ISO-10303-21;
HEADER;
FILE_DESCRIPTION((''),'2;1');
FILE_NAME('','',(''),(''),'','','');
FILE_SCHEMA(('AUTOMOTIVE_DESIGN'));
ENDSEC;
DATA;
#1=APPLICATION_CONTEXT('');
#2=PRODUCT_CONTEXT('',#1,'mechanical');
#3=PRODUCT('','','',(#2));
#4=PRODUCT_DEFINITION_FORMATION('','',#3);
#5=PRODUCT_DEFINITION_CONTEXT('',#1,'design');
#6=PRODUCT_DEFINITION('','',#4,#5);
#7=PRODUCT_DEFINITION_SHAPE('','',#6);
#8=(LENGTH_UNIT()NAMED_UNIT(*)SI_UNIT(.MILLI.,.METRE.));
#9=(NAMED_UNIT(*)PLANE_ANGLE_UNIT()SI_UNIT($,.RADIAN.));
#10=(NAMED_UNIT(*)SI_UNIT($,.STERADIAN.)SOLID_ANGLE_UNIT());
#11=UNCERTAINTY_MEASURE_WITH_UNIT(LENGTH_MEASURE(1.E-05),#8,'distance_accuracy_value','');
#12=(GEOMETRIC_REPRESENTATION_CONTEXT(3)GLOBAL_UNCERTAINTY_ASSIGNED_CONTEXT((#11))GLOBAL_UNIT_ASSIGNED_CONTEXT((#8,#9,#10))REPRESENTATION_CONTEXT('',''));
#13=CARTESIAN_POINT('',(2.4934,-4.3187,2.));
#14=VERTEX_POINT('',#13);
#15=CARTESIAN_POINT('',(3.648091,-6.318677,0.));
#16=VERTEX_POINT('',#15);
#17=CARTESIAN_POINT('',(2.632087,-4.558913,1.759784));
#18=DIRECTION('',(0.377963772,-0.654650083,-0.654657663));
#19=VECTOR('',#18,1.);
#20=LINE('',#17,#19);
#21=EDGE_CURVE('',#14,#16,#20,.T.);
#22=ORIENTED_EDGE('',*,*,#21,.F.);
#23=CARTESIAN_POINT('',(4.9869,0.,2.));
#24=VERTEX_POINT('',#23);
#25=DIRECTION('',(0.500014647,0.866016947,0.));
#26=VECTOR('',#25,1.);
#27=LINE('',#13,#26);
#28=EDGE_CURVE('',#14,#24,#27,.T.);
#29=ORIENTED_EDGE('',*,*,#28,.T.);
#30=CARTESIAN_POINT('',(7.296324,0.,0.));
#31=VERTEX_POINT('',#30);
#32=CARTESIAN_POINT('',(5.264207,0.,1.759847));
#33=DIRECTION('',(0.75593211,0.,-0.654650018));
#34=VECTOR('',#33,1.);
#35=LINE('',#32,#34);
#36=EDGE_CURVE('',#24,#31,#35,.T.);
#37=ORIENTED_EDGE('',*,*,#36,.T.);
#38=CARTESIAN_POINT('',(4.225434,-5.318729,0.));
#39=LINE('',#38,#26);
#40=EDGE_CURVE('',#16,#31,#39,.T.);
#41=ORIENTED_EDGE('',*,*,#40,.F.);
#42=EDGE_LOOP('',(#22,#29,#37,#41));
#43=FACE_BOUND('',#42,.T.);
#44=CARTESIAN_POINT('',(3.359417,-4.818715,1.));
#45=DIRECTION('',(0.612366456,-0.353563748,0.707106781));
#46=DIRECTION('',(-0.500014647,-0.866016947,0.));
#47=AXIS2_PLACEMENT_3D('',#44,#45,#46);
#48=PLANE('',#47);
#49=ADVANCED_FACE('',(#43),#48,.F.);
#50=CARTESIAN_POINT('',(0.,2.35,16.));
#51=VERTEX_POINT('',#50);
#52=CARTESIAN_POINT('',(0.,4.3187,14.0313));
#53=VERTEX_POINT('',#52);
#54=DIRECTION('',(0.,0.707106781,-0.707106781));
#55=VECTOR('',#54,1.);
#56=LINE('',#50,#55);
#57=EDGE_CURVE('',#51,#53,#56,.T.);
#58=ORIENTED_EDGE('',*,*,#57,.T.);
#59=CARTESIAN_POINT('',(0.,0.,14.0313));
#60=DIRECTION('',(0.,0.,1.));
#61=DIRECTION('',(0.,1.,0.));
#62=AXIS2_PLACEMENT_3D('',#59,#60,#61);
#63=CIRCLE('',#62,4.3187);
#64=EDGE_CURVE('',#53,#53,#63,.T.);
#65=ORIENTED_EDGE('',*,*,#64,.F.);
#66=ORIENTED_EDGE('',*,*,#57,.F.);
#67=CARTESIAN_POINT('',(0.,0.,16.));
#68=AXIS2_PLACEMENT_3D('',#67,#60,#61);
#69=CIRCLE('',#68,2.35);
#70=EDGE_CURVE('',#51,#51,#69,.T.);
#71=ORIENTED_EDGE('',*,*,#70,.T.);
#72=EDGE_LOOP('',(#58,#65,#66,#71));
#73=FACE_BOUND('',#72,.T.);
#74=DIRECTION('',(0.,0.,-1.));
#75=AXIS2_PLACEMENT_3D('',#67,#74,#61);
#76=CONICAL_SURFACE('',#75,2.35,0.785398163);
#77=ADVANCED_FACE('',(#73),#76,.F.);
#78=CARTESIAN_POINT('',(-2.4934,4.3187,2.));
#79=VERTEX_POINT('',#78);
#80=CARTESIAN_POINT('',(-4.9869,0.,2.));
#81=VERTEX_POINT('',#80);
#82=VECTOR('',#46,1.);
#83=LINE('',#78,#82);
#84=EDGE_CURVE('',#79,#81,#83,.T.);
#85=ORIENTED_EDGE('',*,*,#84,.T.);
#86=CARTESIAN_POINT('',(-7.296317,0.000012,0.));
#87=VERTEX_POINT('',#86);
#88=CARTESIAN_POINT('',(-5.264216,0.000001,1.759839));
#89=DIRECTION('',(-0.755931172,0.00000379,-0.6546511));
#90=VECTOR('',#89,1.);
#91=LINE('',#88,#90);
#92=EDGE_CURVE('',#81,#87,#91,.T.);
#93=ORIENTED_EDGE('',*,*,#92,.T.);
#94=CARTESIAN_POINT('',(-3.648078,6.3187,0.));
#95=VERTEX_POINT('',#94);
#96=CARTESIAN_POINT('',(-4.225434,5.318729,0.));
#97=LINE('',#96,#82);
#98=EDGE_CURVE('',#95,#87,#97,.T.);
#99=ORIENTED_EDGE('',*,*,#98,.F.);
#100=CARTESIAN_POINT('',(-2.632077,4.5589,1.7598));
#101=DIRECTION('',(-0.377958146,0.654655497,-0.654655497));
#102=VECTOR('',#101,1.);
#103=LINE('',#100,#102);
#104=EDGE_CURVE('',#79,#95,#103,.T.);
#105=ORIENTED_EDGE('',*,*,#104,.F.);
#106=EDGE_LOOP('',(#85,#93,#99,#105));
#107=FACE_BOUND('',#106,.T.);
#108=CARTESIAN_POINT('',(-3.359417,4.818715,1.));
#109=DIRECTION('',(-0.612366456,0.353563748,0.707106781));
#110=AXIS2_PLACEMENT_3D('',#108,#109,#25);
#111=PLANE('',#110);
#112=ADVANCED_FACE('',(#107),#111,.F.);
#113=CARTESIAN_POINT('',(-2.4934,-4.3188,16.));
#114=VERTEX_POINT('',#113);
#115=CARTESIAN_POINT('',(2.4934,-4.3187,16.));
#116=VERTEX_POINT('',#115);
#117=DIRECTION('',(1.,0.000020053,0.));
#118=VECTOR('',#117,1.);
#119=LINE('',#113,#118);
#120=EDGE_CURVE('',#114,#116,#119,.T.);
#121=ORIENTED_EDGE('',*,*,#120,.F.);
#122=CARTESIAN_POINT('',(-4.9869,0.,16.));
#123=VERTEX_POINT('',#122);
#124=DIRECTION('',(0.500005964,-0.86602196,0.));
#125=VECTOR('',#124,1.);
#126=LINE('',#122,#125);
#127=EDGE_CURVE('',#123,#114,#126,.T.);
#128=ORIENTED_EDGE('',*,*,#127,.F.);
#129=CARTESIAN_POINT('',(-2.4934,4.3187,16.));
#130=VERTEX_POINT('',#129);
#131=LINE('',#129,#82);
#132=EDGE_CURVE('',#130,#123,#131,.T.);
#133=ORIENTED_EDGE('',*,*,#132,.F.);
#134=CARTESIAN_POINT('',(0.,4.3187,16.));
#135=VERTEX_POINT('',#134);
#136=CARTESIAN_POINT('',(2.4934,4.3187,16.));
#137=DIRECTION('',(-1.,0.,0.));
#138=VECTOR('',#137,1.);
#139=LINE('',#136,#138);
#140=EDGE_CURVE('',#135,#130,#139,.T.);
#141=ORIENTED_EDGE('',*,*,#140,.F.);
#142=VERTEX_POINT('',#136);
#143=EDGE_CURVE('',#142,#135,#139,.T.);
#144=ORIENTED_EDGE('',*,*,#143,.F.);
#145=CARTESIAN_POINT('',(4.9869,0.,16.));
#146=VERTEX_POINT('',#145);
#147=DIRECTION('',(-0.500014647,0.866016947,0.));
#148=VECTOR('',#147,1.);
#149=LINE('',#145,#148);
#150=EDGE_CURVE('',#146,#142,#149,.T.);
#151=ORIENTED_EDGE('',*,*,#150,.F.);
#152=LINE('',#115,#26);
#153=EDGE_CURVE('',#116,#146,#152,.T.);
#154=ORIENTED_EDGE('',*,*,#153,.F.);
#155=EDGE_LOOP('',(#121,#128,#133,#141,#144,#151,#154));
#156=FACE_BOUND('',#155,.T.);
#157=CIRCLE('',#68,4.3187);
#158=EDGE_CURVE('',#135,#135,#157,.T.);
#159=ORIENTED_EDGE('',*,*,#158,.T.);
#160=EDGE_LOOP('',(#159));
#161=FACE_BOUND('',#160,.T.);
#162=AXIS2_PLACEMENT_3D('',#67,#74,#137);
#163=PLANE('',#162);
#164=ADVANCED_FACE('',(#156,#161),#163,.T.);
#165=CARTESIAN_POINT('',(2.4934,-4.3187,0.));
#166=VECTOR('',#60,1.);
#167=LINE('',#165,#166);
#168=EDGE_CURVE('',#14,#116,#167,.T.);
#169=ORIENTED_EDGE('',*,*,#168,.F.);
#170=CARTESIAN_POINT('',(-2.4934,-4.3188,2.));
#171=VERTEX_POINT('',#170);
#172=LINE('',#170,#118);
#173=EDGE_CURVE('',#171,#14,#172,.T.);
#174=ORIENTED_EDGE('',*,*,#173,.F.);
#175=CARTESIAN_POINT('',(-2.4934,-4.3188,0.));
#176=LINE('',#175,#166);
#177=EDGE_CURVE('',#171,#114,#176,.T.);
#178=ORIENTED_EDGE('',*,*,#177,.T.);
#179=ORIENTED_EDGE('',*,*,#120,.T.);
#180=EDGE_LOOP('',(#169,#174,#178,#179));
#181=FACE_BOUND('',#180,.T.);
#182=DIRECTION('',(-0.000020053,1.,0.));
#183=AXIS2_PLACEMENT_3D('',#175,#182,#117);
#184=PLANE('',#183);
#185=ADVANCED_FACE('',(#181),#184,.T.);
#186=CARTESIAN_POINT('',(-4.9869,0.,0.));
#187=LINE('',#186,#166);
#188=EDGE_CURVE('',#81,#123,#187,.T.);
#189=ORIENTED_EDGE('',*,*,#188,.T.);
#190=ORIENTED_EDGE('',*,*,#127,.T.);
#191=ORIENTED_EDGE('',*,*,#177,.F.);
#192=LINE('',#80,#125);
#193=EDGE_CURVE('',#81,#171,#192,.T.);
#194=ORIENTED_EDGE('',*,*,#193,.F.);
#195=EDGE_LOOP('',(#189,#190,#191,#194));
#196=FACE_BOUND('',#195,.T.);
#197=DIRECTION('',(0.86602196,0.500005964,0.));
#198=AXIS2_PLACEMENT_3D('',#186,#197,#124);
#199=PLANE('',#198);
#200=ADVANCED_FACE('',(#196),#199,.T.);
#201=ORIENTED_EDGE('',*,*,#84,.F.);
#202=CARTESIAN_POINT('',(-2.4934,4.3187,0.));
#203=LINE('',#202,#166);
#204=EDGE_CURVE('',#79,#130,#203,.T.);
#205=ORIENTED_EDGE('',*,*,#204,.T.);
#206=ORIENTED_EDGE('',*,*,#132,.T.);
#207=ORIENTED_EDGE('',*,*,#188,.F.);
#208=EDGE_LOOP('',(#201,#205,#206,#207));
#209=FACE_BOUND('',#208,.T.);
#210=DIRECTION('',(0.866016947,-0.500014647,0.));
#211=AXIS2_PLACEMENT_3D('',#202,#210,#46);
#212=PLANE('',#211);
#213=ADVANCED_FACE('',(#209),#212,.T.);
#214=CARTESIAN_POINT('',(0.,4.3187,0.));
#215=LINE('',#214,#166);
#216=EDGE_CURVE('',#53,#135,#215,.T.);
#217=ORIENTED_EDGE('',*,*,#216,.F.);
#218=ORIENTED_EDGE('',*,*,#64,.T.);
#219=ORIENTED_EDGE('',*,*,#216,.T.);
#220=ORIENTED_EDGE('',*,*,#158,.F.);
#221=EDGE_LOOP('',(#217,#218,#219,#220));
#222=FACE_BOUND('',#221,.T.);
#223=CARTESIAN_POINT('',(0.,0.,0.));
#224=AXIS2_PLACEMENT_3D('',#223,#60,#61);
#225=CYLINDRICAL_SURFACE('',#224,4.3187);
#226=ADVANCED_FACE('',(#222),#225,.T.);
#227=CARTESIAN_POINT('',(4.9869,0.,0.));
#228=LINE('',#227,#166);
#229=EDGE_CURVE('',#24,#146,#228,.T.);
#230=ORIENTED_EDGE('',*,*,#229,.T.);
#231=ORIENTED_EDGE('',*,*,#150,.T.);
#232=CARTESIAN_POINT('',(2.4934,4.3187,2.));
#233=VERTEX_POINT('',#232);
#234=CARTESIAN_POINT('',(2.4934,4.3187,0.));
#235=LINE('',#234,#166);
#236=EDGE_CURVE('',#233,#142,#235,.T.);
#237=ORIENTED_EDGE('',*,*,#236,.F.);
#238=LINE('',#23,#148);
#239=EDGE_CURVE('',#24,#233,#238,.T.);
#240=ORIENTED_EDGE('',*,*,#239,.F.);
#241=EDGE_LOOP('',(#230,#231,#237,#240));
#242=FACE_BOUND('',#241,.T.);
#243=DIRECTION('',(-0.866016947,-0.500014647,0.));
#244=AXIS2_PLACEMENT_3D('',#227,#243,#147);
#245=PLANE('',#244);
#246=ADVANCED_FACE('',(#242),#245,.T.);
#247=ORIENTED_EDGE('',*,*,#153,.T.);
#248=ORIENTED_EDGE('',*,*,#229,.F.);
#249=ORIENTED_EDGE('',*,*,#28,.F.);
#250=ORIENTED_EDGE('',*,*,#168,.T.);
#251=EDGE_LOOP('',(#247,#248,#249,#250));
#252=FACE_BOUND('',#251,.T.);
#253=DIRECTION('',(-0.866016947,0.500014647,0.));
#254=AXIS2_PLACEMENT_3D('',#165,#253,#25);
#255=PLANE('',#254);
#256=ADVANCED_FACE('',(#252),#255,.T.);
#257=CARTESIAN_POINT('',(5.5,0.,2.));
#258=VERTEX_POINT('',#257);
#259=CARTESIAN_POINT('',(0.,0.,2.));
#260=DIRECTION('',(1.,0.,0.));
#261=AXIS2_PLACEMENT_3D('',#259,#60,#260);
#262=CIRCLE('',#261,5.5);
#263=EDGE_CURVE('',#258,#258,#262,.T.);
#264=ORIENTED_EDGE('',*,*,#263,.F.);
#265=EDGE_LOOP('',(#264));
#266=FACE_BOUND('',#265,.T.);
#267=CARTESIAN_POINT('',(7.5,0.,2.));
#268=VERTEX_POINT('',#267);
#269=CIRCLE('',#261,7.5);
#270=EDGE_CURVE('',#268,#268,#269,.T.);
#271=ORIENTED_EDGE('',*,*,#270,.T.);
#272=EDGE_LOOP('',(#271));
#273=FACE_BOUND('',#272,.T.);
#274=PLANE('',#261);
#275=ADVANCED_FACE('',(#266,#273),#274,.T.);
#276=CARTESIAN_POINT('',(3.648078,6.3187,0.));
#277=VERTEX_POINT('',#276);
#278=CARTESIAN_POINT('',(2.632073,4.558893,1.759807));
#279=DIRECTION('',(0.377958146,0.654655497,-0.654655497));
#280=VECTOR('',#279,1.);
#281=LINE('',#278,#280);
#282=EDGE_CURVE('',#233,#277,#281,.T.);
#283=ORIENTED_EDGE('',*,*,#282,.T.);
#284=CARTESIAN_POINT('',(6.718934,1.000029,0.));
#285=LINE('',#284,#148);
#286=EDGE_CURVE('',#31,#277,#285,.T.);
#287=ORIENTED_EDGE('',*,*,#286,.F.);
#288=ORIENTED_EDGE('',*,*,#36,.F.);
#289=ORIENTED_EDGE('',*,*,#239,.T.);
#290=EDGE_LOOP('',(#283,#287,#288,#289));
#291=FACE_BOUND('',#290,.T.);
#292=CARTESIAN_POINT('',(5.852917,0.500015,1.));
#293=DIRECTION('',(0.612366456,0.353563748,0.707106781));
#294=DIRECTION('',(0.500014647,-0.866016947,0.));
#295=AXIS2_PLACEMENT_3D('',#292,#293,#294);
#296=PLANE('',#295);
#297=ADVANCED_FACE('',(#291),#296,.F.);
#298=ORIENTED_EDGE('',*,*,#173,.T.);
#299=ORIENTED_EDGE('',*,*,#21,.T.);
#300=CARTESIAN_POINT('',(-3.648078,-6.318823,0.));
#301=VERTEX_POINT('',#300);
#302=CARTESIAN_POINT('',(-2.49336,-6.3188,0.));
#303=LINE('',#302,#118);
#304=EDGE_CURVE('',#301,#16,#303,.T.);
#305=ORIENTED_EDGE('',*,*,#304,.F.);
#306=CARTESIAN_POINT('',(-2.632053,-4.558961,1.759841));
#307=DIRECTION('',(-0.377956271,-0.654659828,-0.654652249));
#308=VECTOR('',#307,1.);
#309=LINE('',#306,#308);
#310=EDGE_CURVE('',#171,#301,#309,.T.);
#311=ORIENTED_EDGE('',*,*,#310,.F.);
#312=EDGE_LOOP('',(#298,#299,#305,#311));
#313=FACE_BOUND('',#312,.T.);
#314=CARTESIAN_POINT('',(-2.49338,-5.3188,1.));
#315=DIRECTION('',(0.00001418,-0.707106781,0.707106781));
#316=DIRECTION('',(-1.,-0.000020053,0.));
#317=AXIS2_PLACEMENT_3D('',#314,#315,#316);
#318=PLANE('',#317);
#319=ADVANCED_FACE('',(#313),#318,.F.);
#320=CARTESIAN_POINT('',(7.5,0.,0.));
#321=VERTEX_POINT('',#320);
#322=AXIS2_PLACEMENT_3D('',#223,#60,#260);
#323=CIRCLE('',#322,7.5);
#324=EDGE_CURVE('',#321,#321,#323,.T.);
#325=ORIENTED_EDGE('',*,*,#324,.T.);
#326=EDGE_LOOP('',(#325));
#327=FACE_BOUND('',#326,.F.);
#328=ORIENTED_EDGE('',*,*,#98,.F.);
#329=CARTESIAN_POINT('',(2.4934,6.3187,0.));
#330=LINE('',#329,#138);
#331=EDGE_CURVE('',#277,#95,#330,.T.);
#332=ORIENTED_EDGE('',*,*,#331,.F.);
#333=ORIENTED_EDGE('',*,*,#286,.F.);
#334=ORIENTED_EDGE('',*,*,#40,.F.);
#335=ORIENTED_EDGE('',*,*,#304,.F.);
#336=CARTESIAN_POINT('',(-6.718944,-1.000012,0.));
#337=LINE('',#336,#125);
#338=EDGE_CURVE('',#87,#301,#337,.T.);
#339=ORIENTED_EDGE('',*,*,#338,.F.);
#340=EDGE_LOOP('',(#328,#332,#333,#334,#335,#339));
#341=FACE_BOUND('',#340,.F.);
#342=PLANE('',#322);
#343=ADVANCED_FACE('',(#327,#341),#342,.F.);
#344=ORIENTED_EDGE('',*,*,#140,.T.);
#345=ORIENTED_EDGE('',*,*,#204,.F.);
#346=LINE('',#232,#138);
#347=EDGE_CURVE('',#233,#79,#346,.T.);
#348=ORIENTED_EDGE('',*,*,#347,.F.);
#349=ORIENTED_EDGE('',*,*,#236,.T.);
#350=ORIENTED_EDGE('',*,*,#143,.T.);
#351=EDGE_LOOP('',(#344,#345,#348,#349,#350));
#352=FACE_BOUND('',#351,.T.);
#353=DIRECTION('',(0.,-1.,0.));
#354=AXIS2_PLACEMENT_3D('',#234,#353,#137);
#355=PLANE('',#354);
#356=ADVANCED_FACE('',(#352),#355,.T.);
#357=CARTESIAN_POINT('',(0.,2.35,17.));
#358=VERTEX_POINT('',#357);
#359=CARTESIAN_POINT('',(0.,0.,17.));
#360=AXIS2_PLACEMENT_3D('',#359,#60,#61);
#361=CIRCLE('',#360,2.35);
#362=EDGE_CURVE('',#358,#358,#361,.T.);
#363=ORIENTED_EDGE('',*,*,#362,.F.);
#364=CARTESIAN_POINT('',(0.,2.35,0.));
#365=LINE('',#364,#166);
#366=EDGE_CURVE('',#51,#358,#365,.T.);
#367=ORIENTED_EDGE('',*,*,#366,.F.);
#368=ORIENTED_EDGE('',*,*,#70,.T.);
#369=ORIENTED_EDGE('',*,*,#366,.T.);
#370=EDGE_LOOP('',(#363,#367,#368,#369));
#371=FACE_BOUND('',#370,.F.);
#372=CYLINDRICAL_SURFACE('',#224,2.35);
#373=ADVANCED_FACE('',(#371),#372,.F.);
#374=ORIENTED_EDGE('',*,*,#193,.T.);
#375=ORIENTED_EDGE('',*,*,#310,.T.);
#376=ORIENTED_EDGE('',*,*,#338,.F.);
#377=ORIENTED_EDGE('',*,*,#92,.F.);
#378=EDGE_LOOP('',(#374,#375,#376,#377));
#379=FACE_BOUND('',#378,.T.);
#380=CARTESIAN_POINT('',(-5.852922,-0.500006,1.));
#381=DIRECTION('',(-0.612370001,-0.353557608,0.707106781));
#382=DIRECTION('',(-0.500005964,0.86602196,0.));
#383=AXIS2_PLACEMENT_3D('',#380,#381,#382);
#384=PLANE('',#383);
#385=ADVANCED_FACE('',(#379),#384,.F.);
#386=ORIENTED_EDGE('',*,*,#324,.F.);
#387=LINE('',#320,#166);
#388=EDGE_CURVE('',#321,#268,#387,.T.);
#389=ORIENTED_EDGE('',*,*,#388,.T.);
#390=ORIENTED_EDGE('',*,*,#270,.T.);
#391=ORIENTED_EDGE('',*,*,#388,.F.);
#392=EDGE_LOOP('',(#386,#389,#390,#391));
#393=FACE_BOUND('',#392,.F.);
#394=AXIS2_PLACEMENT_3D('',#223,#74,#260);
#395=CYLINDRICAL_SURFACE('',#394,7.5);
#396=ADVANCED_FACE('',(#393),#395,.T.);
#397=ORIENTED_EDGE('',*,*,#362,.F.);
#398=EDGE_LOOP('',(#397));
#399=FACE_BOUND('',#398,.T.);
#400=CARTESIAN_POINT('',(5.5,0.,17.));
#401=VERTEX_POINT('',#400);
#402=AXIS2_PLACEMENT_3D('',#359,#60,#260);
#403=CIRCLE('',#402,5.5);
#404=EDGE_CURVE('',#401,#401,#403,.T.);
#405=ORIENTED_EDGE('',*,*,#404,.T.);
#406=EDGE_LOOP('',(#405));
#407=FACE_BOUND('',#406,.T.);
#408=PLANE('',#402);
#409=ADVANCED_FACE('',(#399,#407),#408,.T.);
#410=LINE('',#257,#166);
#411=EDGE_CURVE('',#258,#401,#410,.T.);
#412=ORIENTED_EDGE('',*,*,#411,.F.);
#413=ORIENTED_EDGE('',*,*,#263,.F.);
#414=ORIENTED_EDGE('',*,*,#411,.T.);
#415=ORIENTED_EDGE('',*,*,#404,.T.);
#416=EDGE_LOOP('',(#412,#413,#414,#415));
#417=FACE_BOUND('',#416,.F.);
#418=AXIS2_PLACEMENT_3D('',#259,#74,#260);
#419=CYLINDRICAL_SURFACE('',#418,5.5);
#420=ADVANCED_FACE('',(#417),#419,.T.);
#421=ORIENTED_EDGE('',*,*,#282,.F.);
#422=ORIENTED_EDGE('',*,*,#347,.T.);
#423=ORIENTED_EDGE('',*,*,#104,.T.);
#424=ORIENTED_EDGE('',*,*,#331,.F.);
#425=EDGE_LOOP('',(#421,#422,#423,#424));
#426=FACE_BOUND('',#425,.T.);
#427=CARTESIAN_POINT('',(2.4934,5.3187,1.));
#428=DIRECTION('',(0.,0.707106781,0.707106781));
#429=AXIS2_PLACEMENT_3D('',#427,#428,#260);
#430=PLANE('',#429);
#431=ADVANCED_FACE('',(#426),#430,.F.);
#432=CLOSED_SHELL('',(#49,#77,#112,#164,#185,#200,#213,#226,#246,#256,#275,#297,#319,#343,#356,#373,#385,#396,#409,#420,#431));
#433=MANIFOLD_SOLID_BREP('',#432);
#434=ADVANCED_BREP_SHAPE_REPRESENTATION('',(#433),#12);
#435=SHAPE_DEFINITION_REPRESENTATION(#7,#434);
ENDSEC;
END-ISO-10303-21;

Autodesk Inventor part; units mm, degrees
ref_plane "YZ Plane" through (0, 0, 0) normal (1, 0, 0) x (0, 1, 0)
ref_plane "XZ Plane" through (0, 0, 0) normal (0, 1, 0) x (-1, 0, 0)
ref_plane "XY Plane" through (0, 0, 0) normal (0, 0, 1) x (1, 0, 0)
sketch "Sketch2" plane through (0, 0, 0) normal (0, 0, 1) x (1, 0, 0)
  circle A0 centre (0, 0) radius 7.5
  dimension "d0" = 15
extrude "Extrusion1" add sketch "Sketch2" along normal blind 2
sketch "Sketch3" plane through (0, 0, 2) normal (0, 0, 1) x (1, 0, 0)
  circle A0 centre (0, 0) radius 7.5 projected
  circle A1 centre (0, 0) radius 5.5
  dimension "d3" = 11
extrude "Extrusion2" add sketch "Sketch3" along normal blind 15 contours A1
sketch "Sketch4" plane through (0, 0, 0) normal (0, 0, -1) x (-1, 0, 0)
  circle A0 centre (0, 0) radius 7.5 projected
hole "Hole1" at (0, 0, 0) direction (0, 0, 1) diameter 4.7 end through all
ref_plane "Work Plane1" through (0, 0, 16) normal (0, 0, 1) x (1, 0, 0)
sketch "Sketch5" plane through (0, 0, 0) normal (0, 0, -1) x (-1, 0, 0)
  circle A0 centre (0, 0) radius 2.35 projected
  circle A1 centre (0, 0) radius 7.5 projected
  line L0 (2.4934, 4.3187) -> (4.9869, 0)
  line L1 (4.9869, 0) -> (2.4934, -4.3188)
  line L2 (2.4934, -4.3188) -> (-2.4934, -4.3187)
  line L3 (-2.4934, -4.3187) -> (-4.9869, 0)
  line L4 (-4.9869, 0) -> (-2.4934, 4.3187)
  line L5 (-2.4934, 4.3187) -> (2.4934, 4.3187)
  dimension "d14" = 8.6375
extrude "Extrusion3" cut sketch "Sketch5" against normal up to surface (16 mm away) contours L0 L1 L2 L3 L4 L5
sketch "Sketch6" plane through (0, 0, 0) normal (0, 0, -1) x (-1, 0, 0)
  line L0 (2.4934, -4.3188) -> (-2.4934, -4.3187) projected
  line L1 (-2.4934, -4.3187) -> (-4.9869, 0) projected
  line L2 (-4.9869, 0) -> (-2.4934, 4.3187) projected
  line L3 (-2.4934, 4.3187) -> (2.4934, 4.3187) projected
  line L4 (2.4934, 4.3187) -> (4.9869, 0) projected
  line L5 (4.9869, 0) -> (2.4934, -4.3188) projected
  circle A0 centre (0, 0) radius 7.5 projected
  circle A1 centre (0, 0) radius 4 construction
  dimension "d17" = 8
sketch "Sketch7" plane through (0, 0, 0) normal (1, 0, 0) x (0, 1, 0)
  line L0 (-7.5, 0) -> (-7.5, 2) projected
  line L1 (-7.5, 2) -> (-5.5, 2) projected
  line L2 (-5.5, 2) -> (-5.5, 17) projected
  line L3 (-5.5, 17) -> (-2.35, 17) projected
  line L4 (-2.35, 17) -> (-2.35, 16) projected
  line L5 (-2.35, 16) -> (-4.3187, 16) projected
  line L6 (-4.3187, 16) -> (-4.3187, 0) projected
  line L7 (-4.3187, 0) -> (-7.5, 0) projected
  line L8 (7.5, 2) -> (7.5, 0) projected
  line L9 (7.5, 0) -> (4.3187, 0) projected
  line L10 (4.3187, 0) -> (4.3187, 16) projected
  line L11 (4.3187, 16) -> (2.35, 16) projected
  line L12 (2.35, 16) -> (2.35, 17) projected
  line L13 (2.35, 17) -> (5.5, 17) projected
  line L14 (5.5, 17) -> (5.5, 2) projected
  line L15 (5.5, 2) -> (7.5, 2) projected
  line L16 (2.35, 16) -> (4.3187, 14.0313)
  line L17 (0, -3.4) -> (0, 20.4) projected
  point P0 (0, 0)
  dimension "d18" = 45
revolve "Revolution1" add sketch "Sketch7" angle 360 about axis through (0, 0, -10) along (0, 0, 1) contours L16 L11 L10
chamfer "Chamfer1" distance 2 angle 45 6 edges at (0, -4.3187, 0) (3.7401, -2.1594, 0) (3.7401, 2.1594, 0) (0, 4.3187, 0) (-3.7401, 2.1594, 0) (-3.7401, -2.1594, 0)
properties part number "z-keeper"
